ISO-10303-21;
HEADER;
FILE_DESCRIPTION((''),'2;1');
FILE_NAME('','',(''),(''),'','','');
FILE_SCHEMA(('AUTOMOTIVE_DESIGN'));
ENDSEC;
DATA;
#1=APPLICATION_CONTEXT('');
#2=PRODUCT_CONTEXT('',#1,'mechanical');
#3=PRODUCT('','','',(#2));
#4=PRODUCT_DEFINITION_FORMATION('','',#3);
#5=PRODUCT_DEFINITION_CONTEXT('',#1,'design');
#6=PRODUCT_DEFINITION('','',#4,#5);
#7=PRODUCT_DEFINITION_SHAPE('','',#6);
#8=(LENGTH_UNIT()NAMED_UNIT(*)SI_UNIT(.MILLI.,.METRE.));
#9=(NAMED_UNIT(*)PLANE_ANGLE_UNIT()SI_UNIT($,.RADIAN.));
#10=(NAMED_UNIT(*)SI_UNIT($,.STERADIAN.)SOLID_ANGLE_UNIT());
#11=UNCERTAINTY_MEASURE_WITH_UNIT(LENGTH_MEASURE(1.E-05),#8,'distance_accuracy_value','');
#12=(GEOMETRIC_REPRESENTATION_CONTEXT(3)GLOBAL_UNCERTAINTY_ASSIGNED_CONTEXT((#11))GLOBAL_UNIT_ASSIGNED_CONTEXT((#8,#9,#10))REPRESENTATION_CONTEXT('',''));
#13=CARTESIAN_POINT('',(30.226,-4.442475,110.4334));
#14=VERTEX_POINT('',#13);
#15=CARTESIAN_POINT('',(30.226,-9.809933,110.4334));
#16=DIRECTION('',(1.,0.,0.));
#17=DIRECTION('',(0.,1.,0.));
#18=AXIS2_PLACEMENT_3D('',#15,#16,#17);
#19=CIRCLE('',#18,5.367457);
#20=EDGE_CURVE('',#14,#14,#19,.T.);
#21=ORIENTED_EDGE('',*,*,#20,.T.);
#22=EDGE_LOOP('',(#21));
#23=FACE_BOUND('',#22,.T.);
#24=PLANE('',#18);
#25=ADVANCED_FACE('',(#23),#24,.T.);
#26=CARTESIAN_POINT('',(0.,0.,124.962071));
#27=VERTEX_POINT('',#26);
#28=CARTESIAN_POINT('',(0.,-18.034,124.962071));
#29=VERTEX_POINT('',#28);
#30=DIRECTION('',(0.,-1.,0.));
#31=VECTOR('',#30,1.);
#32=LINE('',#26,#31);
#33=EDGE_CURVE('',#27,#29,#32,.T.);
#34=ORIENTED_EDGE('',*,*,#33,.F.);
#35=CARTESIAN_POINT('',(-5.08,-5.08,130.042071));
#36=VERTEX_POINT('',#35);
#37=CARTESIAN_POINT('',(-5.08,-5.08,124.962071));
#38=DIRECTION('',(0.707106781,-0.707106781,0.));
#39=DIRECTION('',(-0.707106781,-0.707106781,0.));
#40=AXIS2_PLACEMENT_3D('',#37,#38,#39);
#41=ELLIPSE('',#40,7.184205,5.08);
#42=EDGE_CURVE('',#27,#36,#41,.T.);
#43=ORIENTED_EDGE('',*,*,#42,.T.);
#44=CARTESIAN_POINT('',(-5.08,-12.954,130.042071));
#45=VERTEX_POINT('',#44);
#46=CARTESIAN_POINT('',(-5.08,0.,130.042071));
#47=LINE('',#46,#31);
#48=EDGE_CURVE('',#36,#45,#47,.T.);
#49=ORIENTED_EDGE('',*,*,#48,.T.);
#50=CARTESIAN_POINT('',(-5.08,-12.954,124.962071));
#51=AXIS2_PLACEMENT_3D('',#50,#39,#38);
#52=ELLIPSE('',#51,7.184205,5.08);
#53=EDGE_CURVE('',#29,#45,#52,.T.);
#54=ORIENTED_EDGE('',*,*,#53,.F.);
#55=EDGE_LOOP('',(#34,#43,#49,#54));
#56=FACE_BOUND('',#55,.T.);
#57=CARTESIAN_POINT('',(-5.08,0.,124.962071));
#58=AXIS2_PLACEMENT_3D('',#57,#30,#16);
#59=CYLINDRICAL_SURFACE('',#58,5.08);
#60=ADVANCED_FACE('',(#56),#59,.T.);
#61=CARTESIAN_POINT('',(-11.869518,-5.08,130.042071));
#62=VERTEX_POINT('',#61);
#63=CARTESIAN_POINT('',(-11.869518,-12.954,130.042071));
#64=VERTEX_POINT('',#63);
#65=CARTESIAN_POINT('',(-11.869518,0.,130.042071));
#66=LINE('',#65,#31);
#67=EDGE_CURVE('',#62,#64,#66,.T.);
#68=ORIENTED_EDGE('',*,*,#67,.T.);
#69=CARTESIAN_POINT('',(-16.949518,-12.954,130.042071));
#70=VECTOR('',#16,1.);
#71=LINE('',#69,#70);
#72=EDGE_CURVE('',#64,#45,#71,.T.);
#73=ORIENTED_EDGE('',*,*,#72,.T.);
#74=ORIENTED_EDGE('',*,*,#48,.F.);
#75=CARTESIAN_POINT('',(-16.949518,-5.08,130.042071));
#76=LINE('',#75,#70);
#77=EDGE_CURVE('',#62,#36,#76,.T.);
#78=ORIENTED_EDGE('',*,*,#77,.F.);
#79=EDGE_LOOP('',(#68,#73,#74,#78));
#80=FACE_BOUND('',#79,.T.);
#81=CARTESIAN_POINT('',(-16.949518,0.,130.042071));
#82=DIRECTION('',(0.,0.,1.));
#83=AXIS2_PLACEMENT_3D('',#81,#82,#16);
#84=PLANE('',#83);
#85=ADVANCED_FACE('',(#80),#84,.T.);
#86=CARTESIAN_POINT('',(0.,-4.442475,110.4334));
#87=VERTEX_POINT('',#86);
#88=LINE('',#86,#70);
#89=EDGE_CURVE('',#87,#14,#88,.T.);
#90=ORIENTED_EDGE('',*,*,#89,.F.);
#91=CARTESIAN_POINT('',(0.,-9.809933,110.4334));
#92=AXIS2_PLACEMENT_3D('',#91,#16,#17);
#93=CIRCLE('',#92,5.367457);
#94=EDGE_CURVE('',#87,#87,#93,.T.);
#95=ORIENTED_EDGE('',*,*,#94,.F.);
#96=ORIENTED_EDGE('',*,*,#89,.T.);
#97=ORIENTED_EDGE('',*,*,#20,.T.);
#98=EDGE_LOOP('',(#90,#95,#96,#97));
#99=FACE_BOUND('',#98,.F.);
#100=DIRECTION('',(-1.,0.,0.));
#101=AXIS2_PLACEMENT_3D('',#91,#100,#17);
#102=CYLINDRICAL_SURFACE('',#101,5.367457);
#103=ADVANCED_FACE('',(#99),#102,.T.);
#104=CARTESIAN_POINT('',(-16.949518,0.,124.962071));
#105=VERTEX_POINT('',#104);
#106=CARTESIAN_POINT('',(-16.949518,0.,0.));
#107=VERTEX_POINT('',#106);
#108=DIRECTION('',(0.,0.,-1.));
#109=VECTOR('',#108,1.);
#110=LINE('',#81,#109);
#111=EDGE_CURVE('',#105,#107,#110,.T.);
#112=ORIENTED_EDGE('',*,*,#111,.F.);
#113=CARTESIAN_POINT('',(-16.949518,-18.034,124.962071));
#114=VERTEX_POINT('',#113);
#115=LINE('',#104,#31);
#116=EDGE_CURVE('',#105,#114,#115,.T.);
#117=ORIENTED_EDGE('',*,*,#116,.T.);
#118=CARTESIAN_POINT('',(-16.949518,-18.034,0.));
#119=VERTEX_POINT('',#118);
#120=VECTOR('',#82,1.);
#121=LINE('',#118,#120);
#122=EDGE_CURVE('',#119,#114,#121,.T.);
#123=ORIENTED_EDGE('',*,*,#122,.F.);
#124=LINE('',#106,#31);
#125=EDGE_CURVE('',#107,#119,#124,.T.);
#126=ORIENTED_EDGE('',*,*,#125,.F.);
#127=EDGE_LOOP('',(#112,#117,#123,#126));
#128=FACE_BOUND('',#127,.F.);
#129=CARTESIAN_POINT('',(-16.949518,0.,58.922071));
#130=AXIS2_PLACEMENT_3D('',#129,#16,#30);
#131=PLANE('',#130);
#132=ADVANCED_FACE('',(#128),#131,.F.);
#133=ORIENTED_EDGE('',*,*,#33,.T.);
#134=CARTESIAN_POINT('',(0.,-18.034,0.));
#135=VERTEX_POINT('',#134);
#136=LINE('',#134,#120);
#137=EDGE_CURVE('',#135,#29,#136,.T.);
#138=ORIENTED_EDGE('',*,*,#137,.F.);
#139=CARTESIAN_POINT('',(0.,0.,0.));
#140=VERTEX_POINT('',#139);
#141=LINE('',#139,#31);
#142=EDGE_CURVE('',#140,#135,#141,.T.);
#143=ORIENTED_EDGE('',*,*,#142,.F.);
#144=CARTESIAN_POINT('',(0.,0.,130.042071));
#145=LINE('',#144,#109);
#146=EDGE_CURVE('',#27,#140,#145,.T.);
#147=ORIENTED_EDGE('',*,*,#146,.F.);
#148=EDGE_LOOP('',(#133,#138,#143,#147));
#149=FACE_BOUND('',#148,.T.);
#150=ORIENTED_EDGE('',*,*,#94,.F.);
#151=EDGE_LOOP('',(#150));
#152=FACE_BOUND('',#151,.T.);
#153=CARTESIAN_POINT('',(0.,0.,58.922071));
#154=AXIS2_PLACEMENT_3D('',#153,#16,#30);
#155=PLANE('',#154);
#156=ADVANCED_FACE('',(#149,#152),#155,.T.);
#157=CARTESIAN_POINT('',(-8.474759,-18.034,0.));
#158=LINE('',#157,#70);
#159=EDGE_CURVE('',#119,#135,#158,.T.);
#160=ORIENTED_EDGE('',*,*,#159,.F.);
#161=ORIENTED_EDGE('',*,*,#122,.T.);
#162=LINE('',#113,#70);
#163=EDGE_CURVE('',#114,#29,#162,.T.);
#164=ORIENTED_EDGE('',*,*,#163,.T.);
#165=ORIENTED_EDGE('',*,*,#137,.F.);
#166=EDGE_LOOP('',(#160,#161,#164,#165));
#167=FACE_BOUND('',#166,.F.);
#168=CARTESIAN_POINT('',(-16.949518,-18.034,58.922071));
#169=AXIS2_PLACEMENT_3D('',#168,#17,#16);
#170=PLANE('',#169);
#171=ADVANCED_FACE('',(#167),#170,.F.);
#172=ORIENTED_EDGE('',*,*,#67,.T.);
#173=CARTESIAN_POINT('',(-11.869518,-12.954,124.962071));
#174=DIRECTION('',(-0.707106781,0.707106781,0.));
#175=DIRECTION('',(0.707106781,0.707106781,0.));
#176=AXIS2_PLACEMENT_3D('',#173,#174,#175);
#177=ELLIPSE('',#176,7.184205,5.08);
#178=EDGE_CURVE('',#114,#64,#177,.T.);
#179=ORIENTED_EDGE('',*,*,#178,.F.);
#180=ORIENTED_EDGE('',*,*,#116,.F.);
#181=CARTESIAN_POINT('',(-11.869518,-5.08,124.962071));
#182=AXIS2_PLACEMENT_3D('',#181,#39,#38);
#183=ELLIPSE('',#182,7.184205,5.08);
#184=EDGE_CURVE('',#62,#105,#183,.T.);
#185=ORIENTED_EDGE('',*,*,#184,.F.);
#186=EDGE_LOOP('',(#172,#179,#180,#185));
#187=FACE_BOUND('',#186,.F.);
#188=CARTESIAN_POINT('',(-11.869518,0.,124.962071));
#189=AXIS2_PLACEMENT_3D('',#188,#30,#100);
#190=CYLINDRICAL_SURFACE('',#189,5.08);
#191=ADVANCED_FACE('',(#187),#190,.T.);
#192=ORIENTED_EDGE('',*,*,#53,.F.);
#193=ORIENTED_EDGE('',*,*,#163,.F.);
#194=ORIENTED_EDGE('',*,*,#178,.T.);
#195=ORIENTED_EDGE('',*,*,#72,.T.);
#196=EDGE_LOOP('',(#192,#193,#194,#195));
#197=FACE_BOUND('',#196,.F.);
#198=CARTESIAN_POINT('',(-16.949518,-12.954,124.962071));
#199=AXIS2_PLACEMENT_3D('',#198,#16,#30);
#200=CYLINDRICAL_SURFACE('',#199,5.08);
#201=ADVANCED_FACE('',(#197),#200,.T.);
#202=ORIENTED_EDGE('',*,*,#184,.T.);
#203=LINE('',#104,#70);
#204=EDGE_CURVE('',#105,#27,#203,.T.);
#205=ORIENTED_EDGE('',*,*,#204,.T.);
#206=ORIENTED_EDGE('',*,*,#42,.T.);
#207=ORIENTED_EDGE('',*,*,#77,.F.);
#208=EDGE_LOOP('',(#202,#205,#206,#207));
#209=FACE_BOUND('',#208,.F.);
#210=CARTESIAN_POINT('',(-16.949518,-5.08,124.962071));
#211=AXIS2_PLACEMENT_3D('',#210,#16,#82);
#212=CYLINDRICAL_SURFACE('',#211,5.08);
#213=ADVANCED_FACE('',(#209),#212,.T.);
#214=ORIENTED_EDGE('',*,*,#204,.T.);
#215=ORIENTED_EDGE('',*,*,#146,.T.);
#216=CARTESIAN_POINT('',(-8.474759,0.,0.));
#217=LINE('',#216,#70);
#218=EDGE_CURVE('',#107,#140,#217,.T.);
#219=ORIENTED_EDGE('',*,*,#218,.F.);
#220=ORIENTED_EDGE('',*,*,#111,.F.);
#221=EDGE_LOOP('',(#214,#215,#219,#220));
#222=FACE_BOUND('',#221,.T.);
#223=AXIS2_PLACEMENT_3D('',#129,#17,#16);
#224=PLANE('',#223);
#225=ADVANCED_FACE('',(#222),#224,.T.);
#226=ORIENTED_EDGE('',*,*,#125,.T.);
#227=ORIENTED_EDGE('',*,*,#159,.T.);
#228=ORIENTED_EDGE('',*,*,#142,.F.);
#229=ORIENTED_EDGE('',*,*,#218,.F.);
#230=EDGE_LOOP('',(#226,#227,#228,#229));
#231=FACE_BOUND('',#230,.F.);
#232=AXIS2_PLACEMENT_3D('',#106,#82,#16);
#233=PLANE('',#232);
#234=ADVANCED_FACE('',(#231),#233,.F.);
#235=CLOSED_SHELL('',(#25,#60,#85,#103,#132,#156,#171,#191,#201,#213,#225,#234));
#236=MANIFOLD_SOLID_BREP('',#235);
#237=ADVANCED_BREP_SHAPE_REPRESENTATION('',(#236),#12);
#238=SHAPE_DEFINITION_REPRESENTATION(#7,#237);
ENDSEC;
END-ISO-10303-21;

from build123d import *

# Parameters (mm, degrees)
F0_W     = 16.9495176524
F0_H     = 58.9220710099
F1_DEPTH = 18.034
F2_DEPTH = 71.12
F3_R     = 5.08
F4_R     = 5.367457486
F5_DEPTH = 30.226


with BuildPart() as f1:
    # F0 (on Front) → F1 (new body)
    with BuildSketch(Plane.XZ):
        with Locations((-8.4747588262, 29.4610355049)):
            Rectangle(F0_W, F0_H)
    extrude(amount=F1_DEPTH)

    # F2 (add): a face of the model
    f2_faces = [f1.faces().sort_by_distance(p)[0] for p in [
        (-8.4747588262, -9.017, 58.9220710099),
    ]]
    extrude(f2_faces, amount=F2_DEPTH)

    # F3
    f3_edges = [f1.edges().sort_by_distance(p)[0] for p in [
        (-8.474759, -18.034, 130.042071),
        (0, -9.017, 130.042071),
        (-8.474759, 0, 130.042071),
        (-16.949518, -9.017, 130.042071),
    ]]
    fillet(f3_edges, radius=F3_R)

    # F4 (on face) → F5 (join)
    with BuildSketch(Plane.YZ):
        with Locations((-9.8099326715, 110.4333996773)):
            Circle(F4_R)
    extrude(amount=F5_DEPTH)


solid = f1.part
